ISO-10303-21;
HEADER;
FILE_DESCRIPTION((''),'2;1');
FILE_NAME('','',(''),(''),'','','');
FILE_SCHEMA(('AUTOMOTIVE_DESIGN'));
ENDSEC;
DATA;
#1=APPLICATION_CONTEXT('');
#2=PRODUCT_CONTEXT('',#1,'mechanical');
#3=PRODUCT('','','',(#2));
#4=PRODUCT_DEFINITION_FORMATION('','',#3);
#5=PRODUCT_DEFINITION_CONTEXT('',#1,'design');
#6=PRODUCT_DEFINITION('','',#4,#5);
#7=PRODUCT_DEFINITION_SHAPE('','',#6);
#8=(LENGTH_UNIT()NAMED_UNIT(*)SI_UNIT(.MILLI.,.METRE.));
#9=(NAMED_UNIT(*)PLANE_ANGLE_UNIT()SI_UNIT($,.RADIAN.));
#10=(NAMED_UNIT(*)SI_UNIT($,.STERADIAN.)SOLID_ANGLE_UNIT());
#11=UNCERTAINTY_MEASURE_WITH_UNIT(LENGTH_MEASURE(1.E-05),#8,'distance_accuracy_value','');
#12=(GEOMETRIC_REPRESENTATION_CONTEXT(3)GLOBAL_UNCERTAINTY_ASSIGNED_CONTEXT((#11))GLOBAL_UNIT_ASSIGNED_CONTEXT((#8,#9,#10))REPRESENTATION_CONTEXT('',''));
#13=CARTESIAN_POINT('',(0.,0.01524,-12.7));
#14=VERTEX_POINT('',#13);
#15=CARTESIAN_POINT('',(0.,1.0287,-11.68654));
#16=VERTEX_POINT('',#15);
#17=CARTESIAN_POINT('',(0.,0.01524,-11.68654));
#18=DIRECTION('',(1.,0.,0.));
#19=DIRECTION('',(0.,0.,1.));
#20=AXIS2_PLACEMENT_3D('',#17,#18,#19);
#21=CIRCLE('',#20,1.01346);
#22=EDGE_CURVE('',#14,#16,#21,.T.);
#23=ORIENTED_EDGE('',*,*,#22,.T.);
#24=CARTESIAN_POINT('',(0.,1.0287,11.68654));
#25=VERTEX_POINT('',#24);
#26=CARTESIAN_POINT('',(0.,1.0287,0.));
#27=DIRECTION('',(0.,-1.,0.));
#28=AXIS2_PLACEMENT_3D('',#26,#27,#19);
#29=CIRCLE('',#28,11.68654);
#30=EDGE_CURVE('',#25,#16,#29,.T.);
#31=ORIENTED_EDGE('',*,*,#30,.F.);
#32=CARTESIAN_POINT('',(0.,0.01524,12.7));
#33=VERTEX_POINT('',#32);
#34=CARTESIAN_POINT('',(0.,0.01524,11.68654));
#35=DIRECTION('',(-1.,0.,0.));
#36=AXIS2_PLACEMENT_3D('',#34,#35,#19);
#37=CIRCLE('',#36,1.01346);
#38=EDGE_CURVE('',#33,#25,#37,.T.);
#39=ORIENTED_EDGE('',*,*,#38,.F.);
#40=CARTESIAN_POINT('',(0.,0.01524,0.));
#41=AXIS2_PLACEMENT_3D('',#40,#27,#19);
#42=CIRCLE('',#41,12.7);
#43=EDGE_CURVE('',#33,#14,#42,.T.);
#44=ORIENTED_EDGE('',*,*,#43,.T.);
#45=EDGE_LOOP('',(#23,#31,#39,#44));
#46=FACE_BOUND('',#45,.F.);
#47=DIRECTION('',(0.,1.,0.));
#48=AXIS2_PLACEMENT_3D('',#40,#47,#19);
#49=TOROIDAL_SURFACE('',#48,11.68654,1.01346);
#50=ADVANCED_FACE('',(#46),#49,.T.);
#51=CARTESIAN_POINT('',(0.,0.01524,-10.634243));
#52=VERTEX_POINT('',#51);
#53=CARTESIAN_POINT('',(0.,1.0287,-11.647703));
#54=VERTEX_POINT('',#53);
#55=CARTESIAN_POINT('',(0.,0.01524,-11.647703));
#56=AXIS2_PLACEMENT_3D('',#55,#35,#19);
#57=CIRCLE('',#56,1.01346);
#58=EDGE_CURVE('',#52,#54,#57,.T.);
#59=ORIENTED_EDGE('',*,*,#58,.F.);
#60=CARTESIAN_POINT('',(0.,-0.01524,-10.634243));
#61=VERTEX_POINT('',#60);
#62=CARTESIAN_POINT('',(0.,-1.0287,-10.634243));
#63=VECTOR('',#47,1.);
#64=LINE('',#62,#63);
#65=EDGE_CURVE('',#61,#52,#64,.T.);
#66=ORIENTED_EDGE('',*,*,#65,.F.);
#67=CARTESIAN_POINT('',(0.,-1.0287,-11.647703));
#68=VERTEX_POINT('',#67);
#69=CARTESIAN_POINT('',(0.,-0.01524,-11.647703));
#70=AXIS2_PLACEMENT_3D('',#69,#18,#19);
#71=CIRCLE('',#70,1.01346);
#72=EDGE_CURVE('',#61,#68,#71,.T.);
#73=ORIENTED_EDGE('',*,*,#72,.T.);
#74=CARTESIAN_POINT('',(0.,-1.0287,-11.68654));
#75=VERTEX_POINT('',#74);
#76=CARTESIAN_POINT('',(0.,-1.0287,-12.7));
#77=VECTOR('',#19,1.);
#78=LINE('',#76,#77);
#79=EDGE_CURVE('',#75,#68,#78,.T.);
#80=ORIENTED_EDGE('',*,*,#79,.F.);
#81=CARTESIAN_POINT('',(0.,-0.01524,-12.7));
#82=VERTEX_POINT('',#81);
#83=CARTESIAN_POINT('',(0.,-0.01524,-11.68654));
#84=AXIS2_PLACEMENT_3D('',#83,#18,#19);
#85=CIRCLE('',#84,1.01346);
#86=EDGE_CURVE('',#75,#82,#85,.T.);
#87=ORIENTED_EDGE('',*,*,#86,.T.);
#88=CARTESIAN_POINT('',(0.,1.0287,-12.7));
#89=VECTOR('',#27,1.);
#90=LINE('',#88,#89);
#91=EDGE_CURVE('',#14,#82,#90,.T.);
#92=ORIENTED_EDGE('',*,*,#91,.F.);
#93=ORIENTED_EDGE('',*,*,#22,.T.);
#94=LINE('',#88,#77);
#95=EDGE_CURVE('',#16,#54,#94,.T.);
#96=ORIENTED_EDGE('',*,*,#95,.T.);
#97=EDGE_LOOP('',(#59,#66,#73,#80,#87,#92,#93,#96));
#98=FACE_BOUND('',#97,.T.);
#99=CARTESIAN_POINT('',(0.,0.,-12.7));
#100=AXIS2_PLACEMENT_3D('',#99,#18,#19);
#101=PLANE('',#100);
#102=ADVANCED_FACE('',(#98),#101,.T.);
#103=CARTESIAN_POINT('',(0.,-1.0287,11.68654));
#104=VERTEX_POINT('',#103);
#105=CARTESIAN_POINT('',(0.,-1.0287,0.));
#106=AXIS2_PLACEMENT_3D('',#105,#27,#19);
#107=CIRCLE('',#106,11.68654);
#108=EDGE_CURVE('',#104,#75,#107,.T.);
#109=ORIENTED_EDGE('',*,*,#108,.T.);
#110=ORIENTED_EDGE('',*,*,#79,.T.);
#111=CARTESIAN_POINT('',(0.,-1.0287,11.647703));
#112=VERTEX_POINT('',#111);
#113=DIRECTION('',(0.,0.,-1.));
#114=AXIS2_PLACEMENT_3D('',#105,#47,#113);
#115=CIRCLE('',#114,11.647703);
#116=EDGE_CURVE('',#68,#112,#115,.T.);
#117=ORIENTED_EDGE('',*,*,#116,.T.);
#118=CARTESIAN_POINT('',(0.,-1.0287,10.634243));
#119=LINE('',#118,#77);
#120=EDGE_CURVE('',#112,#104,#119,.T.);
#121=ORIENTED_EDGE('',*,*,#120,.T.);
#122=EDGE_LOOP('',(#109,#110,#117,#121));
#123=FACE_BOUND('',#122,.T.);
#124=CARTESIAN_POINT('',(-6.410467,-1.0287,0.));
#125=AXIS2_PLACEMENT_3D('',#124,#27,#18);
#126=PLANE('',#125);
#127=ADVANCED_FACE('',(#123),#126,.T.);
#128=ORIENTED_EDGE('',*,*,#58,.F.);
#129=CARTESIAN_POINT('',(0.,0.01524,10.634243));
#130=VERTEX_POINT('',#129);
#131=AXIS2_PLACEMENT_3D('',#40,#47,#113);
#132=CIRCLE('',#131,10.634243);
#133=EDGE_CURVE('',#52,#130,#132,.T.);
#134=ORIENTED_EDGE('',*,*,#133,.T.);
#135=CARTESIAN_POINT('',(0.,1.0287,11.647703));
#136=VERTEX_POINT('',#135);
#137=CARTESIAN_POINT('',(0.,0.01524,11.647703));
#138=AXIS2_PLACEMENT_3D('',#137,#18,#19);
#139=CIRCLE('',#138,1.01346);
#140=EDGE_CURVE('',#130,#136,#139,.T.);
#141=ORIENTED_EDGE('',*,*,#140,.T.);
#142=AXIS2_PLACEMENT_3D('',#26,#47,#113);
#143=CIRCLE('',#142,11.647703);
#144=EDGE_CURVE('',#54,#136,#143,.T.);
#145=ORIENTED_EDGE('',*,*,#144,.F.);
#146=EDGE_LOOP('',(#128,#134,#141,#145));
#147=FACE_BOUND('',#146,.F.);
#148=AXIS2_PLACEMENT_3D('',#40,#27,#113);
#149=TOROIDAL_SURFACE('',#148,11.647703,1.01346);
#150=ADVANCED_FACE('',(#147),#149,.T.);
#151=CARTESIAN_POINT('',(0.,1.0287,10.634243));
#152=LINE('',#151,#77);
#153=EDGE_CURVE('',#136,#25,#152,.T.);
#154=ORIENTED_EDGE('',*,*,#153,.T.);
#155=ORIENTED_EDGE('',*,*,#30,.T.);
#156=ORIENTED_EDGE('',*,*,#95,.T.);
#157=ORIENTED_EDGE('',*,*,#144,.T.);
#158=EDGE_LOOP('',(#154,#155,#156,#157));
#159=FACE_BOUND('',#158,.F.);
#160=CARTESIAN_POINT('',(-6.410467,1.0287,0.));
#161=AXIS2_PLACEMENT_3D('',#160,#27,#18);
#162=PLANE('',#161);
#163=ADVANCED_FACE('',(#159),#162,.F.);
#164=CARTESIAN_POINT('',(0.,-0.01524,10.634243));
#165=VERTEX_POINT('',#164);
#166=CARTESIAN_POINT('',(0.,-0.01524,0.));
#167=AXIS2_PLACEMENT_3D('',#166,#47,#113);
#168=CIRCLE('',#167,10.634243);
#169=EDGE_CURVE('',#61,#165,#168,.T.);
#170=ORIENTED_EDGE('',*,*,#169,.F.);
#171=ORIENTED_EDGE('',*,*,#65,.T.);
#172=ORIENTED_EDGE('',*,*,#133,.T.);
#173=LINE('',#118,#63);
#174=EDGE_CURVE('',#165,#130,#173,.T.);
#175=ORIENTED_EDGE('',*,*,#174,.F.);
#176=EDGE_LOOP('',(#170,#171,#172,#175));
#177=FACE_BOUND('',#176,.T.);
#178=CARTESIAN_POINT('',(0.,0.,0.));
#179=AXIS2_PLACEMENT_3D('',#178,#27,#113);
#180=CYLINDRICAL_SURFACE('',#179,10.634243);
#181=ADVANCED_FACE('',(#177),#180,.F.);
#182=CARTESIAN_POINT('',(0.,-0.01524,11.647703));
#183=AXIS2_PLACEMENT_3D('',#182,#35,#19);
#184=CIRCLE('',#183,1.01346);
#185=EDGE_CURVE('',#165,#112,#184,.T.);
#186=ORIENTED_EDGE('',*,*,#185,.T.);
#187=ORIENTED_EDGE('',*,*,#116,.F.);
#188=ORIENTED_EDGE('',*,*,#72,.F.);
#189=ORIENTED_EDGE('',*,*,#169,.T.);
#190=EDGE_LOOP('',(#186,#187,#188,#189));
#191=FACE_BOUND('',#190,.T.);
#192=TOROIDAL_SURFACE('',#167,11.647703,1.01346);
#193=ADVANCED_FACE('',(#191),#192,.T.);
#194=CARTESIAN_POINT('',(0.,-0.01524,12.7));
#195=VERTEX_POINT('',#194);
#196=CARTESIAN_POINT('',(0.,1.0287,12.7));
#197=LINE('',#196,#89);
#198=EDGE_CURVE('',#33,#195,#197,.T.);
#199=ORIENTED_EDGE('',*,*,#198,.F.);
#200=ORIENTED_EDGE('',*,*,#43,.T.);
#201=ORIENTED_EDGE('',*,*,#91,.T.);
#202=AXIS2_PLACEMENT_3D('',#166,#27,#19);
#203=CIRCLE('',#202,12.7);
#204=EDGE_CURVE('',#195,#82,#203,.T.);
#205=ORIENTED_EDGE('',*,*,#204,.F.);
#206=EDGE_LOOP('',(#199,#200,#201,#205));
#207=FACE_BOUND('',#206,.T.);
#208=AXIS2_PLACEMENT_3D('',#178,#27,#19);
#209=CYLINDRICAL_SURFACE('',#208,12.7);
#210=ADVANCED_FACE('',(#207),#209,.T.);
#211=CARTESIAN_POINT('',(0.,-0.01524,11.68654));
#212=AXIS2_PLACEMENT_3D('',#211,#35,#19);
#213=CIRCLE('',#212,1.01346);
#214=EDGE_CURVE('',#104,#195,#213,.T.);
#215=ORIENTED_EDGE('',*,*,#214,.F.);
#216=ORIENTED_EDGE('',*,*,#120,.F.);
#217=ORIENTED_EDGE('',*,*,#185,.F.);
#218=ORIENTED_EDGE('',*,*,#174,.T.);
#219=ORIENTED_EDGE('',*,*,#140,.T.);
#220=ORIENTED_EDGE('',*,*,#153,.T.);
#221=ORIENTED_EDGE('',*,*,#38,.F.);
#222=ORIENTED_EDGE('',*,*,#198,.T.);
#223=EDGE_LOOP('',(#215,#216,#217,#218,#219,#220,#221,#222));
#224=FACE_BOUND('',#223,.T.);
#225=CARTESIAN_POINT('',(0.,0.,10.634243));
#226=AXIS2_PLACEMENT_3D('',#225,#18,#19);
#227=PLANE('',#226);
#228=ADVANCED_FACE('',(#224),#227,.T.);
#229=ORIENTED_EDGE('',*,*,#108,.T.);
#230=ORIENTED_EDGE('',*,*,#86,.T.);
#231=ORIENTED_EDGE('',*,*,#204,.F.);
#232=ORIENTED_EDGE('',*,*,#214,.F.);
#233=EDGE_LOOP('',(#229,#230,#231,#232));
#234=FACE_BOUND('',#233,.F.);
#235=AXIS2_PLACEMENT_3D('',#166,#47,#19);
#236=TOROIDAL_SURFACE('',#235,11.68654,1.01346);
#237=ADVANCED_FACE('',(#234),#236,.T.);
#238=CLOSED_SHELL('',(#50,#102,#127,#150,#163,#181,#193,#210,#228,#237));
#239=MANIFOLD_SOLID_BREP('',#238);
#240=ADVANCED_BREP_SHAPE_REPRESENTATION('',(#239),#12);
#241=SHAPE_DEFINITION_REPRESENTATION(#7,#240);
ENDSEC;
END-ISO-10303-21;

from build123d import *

# Parameters (mm, degrees)
F1_DEPTH = 1.0287
F2_R     = 1.01346


with BuildPart() as f1:
    # F0 (on Front) → F1 (new body, symmetric)
    with BuildSketch(Plane.XZ):
        with BuildLine():
            Line((0, 10.634243), (0, 12.7))
            ThreePointArc((0, 12.7), (-12.7, 0), (0, -12.7))
            Line((0, -12.7), (0, -10.634243))
            ThreePointArc((0, -10.634243), (-10.634243, 0), (0, 10.634243))
        make_face()
    extrude(amount=F1_DEPTH, both=True)

    # F2
    f2_edges = [f1.edges().sort_by_distance(p)[0] for p in [
        (-12.7, -1.0287, 0),
        (-10.634243, -1.0287, 0),
        (-10.634243, 1.0287, 0),
        (-12.7, 1.0287, 0),
    ]]
    fillet(f2_edges, radius=F2_R)


solid = f1.part
